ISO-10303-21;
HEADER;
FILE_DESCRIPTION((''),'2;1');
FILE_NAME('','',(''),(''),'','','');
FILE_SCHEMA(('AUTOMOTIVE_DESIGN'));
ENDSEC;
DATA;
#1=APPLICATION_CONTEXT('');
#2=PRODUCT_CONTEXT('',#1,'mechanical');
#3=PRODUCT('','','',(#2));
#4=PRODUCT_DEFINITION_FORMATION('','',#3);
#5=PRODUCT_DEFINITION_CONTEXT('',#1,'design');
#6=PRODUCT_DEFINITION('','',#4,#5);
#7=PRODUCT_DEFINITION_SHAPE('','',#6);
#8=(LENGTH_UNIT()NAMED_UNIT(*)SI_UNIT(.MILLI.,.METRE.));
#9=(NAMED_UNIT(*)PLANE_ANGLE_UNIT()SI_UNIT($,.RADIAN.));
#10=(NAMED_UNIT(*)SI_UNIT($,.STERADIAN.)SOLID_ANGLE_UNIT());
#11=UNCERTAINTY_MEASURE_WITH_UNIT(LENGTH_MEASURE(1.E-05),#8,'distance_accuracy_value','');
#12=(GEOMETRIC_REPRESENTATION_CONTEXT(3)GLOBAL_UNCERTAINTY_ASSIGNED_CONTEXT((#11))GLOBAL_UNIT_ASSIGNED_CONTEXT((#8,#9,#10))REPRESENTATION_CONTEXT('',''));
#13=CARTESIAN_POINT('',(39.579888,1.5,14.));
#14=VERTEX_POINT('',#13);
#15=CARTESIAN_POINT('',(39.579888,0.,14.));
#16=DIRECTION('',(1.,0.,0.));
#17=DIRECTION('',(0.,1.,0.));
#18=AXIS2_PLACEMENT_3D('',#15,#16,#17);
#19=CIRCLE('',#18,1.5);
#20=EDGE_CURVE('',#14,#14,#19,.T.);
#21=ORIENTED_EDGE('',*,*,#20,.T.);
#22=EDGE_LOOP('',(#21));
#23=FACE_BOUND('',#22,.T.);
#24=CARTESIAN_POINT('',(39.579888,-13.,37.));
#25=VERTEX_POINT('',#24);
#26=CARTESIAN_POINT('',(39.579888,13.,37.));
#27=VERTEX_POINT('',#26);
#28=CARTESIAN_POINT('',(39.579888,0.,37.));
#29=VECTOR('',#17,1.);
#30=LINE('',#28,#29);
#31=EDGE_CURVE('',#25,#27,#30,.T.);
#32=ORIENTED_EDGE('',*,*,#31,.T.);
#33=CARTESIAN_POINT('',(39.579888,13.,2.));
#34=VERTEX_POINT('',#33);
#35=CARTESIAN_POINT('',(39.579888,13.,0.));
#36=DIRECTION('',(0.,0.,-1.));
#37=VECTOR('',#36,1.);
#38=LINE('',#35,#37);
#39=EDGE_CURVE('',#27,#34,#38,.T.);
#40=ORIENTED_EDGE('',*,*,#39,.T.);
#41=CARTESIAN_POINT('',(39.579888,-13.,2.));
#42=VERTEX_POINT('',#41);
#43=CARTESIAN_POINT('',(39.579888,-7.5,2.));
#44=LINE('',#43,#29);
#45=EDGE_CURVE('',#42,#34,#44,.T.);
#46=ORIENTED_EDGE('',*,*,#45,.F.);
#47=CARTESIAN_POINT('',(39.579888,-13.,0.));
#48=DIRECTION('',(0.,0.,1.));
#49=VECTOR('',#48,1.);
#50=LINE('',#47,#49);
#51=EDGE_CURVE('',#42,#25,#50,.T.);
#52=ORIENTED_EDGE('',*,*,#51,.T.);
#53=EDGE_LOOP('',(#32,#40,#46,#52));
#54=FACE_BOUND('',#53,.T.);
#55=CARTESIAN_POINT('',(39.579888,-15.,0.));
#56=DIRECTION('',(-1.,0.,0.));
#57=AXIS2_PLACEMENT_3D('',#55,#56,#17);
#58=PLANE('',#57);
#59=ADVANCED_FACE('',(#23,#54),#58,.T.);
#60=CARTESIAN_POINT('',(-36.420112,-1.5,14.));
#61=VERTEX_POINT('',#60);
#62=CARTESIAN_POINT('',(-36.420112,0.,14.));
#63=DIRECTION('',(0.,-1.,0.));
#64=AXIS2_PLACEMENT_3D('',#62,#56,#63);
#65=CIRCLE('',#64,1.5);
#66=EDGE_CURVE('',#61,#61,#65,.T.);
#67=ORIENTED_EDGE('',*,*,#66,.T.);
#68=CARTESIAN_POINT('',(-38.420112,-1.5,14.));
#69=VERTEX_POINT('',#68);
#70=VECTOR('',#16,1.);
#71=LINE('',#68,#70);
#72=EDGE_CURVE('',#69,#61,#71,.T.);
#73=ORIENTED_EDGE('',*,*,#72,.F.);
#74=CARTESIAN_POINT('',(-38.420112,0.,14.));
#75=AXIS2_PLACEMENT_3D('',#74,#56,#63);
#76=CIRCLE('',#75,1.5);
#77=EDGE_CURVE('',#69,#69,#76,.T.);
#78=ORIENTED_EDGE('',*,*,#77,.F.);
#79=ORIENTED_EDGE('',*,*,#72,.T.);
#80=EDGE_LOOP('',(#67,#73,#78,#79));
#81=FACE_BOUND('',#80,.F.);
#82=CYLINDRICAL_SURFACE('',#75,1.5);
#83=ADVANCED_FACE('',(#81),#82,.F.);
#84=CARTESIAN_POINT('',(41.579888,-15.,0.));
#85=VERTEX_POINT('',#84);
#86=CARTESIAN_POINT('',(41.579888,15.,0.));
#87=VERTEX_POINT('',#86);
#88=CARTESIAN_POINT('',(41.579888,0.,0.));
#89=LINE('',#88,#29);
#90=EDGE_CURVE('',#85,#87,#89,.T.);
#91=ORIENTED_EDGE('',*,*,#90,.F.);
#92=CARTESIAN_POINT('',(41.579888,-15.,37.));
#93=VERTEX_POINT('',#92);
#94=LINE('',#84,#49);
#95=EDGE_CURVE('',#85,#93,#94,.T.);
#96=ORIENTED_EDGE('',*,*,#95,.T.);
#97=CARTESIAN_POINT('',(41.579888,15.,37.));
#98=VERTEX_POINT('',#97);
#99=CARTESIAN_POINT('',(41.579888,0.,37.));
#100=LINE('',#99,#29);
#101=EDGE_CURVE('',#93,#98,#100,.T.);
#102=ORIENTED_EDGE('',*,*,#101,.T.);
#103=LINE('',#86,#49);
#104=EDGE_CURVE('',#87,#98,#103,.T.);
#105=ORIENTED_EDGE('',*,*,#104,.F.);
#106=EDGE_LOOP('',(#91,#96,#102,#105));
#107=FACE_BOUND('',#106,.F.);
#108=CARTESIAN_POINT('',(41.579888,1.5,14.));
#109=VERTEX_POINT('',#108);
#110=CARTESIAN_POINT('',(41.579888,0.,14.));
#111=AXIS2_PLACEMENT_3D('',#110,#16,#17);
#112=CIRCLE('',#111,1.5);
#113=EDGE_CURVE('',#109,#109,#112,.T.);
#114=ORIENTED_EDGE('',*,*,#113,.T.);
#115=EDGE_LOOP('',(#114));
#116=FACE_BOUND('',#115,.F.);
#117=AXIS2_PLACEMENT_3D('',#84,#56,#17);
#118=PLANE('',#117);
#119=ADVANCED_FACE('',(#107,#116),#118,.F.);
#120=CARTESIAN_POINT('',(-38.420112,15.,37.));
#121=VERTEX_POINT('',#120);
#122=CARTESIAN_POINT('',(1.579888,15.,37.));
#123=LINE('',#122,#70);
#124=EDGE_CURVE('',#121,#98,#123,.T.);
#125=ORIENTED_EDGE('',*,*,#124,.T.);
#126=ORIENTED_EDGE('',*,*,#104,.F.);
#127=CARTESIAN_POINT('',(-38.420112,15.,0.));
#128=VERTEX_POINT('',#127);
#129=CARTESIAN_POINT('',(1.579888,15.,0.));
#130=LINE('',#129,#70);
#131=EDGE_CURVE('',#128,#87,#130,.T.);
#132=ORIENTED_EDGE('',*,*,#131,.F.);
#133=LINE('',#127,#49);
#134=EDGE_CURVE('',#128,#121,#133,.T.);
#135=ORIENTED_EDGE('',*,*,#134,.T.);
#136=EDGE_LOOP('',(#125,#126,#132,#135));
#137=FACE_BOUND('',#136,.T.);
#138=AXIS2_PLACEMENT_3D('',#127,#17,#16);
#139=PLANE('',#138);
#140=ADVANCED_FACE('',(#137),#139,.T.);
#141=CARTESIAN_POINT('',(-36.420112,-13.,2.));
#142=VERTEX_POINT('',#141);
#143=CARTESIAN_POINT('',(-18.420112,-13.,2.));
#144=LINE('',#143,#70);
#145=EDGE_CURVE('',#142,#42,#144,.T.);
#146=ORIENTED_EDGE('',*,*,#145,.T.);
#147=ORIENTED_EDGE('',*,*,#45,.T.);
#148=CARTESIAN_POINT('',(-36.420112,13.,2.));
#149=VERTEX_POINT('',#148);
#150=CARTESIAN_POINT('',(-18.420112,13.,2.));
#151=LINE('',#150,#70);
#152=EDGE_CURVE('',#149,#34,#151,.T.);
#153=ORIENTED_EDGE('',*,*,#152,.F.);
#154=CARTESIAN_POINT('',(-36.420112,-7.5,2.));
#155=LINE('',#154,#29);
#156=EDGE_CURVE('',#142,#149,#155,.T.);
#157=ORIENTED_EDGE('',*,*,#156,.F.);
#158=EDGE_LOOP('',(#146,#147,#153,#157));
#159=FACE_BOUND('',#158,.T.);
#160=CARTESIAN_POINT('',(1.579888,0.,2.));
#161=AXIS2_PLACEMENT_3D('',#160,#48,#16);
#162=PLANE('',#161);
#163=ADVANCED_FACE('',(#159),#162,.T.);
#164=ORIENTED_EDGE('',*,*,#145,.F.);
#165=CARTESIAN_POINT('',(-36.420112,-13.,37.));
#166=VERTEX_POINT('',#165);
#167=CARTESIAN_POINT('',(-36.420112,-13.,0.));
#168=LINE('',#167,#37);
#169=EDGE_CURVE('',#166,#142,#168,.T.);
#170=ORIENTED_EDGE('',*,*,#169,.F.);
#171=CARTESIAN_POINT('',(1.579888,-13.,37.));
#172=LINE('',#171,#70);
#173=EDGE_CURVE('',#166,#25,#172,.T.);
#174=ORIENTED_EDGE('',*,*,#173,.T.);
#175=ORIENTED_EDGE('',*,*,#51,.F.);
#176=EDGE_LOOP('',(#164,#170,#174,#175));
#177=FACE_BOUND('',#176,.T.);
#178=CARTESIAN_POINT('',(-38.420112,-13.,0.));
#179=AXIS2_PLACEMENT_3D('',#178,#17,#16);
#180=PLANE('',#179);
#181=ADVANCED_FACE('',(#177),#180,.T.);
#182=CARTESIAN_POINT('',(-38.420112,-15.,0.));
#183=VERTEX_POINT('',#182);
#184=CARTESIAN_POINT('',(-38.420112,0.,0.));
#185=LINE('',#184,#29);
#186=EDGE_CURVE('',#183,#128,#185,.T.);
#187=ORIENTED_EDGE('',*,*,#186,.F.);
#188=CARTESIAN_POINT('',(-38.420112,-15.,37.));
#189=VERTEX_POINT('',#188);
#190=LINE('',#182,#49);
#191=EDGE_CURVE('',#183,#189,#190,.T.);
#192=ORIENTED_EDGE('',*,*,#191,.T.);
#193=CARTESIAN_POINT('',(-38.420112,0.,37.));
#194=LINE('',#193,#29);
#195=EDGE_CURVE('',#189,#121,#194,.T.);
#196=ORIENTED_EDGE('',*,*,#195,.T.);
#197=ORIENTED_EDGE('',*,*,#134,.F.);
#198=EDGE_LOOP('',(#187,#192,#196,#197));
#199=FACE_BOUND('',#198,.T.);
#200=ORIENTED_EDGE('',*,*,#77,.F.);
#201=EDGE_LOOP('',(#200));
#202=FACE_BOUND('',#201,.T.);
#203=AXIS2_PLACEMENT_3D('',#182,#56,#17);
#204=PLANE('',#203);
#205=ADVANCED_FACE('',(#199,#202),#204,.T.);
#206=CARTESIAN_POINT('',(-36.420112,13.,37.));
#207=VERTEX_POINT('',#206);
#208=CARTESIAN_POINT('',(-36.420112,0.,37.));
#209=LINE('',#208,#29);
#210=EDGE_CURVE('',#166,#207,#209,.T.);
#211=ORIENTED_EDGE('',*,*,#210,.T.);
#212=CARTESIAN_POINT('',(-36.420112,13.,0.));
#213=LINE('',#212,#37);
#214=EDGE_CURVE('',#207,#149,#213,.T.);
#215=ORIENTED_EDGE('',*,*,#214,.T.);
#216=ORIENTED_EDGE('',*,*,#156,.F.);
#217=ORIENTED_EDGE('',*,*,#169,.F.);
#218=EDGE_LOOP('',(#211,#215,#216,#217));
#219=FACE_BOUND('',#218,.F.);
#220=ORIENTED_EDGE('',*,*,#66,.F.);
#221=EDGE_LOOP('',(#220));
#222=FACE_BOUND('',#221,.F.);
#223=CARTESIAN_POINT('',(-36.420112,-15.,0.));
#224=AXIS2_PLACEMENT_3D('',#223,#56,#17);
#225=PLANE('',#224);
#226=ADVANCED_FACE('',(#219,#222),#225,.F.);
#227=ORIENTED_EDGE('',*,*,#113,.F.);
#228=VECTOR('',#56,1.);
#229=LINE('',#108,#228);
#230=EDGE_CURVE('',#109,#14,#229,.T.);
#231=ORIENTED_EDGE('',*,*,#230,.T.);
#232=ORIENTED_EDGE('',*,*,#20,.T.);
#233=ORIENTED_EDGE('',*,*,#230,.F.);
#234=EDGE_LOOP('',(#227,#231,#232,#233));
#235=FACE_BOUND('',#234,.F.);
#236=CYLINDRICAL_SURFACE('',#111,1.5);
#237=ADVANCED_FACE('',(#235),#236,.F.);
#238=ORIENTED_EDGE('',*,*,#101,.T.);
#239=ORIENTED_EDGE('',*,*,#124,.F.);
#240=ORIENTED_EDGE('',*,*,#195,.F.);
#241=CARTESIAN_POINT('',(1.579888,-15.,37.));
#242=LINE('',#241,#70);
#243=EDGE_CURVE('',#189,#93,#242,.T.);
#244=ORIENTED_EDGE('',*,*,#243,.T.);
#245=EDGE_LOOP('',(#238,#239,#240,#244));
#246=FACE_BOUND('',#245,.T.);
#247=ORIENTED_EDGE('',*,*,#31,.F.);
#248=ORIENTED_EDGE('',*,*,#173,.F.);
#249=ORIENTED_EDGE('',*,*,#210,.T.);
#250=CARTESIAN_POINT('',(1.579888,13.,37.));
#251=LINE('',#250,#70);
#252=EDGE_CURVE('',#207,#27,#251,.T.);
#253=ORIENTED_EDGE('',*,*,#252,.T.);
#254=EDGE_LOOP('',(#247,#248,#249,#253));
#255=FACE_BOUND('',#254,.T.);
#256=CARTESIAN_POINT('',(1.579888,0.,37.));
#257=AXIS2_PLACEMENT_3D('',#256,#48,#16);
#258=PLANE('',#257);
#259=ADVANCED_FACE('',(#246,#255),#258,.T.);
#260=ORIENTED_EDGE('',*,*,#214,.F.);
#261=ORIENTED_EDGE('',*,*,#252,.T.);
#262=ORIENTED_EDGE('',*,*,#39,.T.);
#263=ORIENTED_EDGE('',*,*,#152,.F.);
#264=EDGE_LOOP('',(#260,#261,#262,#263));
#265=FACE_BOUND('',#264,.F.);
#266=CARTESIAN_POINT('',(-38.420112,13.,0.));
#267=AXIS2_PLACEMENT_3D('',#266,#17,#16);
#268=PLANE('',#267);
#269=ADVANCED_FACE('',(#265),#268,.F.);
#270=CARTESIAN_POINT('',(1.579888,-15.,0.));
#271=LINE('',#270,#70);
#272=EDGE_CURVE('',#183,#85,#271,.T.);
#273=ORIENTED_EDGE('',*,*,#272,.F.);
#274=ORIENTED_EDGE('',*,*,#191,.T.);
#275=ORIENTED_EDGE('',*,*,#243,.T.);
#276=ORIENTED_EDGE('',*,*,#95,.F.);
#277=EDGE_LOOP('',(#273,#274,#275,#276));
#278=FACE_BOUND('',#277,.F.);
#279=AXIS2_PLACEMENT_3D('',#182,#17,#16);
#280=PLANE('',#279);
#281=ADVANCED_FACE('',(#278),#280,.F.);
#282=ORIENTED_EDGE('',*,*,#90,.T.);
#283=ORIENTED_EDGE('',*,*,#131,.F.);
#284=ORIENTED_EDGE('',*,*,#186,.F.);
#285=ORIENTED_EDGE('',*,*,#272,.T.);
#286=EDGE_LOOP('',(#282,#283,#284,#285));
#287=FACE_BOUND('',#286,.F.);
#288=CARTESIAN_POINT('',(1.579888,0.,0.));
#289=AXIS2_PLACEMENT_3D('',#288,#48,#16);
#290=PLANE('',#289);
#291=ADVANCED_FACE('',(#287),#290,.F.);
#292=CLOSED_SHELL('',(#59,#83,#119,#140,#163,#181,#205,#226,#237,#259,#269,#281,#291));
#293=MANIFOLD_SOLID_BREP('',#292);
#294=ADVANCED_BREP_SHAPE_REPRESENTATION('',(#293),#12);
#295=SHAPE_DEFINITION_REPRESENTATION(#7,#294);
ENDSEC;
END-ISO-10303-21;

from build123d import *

# Parameters (mm, degrees)
F0_W     = 80
F0_H     = 30
F1_DEPTH = 37
F2_T     = -2
F4_R     = 1.5
F5_DEPTH = 25
F6_R     = 1.5
F7_DEPTH = 3


with BuildPart() as f1:
    # F0 (on Top) → F1 (new body)
    with BuildSketch(Plane.XY):
        with Locations((1.579888, 0)):
            Rectangle(F0_W, F0_H)
    extrude(amount=F1_DEPTH)

    # F2
    f2_openings = [f1.faces().sort_by_distance(p)[0] for p in [
        (1.579888, 0, 37),
    ]]
    offset(amount=F2_T, openings=f2_openings)

    # F4 (on face) → F5 (cut)
    with BuildSketch(Plane.YZ.offset(41.579888)):
        with Locations((0, 14)):
            Circle(F4_R)
    extrude(amount=-F5_DEPTH, mode=Mode.SUBTRACT)

    # F6 (on face) → F7 (cut)
    with BuildSketch(Plane(origin=(-38.420112, 0, 0), x_dir=(0, -1, 0), z_dir=(-1, 0, 0))):
        with Locations((0, 14)):
            Circle(F6_R)
    extrude(amount=-F7_DEPTH, mode=Mode.SUBTRACT)


solid = f1.part
